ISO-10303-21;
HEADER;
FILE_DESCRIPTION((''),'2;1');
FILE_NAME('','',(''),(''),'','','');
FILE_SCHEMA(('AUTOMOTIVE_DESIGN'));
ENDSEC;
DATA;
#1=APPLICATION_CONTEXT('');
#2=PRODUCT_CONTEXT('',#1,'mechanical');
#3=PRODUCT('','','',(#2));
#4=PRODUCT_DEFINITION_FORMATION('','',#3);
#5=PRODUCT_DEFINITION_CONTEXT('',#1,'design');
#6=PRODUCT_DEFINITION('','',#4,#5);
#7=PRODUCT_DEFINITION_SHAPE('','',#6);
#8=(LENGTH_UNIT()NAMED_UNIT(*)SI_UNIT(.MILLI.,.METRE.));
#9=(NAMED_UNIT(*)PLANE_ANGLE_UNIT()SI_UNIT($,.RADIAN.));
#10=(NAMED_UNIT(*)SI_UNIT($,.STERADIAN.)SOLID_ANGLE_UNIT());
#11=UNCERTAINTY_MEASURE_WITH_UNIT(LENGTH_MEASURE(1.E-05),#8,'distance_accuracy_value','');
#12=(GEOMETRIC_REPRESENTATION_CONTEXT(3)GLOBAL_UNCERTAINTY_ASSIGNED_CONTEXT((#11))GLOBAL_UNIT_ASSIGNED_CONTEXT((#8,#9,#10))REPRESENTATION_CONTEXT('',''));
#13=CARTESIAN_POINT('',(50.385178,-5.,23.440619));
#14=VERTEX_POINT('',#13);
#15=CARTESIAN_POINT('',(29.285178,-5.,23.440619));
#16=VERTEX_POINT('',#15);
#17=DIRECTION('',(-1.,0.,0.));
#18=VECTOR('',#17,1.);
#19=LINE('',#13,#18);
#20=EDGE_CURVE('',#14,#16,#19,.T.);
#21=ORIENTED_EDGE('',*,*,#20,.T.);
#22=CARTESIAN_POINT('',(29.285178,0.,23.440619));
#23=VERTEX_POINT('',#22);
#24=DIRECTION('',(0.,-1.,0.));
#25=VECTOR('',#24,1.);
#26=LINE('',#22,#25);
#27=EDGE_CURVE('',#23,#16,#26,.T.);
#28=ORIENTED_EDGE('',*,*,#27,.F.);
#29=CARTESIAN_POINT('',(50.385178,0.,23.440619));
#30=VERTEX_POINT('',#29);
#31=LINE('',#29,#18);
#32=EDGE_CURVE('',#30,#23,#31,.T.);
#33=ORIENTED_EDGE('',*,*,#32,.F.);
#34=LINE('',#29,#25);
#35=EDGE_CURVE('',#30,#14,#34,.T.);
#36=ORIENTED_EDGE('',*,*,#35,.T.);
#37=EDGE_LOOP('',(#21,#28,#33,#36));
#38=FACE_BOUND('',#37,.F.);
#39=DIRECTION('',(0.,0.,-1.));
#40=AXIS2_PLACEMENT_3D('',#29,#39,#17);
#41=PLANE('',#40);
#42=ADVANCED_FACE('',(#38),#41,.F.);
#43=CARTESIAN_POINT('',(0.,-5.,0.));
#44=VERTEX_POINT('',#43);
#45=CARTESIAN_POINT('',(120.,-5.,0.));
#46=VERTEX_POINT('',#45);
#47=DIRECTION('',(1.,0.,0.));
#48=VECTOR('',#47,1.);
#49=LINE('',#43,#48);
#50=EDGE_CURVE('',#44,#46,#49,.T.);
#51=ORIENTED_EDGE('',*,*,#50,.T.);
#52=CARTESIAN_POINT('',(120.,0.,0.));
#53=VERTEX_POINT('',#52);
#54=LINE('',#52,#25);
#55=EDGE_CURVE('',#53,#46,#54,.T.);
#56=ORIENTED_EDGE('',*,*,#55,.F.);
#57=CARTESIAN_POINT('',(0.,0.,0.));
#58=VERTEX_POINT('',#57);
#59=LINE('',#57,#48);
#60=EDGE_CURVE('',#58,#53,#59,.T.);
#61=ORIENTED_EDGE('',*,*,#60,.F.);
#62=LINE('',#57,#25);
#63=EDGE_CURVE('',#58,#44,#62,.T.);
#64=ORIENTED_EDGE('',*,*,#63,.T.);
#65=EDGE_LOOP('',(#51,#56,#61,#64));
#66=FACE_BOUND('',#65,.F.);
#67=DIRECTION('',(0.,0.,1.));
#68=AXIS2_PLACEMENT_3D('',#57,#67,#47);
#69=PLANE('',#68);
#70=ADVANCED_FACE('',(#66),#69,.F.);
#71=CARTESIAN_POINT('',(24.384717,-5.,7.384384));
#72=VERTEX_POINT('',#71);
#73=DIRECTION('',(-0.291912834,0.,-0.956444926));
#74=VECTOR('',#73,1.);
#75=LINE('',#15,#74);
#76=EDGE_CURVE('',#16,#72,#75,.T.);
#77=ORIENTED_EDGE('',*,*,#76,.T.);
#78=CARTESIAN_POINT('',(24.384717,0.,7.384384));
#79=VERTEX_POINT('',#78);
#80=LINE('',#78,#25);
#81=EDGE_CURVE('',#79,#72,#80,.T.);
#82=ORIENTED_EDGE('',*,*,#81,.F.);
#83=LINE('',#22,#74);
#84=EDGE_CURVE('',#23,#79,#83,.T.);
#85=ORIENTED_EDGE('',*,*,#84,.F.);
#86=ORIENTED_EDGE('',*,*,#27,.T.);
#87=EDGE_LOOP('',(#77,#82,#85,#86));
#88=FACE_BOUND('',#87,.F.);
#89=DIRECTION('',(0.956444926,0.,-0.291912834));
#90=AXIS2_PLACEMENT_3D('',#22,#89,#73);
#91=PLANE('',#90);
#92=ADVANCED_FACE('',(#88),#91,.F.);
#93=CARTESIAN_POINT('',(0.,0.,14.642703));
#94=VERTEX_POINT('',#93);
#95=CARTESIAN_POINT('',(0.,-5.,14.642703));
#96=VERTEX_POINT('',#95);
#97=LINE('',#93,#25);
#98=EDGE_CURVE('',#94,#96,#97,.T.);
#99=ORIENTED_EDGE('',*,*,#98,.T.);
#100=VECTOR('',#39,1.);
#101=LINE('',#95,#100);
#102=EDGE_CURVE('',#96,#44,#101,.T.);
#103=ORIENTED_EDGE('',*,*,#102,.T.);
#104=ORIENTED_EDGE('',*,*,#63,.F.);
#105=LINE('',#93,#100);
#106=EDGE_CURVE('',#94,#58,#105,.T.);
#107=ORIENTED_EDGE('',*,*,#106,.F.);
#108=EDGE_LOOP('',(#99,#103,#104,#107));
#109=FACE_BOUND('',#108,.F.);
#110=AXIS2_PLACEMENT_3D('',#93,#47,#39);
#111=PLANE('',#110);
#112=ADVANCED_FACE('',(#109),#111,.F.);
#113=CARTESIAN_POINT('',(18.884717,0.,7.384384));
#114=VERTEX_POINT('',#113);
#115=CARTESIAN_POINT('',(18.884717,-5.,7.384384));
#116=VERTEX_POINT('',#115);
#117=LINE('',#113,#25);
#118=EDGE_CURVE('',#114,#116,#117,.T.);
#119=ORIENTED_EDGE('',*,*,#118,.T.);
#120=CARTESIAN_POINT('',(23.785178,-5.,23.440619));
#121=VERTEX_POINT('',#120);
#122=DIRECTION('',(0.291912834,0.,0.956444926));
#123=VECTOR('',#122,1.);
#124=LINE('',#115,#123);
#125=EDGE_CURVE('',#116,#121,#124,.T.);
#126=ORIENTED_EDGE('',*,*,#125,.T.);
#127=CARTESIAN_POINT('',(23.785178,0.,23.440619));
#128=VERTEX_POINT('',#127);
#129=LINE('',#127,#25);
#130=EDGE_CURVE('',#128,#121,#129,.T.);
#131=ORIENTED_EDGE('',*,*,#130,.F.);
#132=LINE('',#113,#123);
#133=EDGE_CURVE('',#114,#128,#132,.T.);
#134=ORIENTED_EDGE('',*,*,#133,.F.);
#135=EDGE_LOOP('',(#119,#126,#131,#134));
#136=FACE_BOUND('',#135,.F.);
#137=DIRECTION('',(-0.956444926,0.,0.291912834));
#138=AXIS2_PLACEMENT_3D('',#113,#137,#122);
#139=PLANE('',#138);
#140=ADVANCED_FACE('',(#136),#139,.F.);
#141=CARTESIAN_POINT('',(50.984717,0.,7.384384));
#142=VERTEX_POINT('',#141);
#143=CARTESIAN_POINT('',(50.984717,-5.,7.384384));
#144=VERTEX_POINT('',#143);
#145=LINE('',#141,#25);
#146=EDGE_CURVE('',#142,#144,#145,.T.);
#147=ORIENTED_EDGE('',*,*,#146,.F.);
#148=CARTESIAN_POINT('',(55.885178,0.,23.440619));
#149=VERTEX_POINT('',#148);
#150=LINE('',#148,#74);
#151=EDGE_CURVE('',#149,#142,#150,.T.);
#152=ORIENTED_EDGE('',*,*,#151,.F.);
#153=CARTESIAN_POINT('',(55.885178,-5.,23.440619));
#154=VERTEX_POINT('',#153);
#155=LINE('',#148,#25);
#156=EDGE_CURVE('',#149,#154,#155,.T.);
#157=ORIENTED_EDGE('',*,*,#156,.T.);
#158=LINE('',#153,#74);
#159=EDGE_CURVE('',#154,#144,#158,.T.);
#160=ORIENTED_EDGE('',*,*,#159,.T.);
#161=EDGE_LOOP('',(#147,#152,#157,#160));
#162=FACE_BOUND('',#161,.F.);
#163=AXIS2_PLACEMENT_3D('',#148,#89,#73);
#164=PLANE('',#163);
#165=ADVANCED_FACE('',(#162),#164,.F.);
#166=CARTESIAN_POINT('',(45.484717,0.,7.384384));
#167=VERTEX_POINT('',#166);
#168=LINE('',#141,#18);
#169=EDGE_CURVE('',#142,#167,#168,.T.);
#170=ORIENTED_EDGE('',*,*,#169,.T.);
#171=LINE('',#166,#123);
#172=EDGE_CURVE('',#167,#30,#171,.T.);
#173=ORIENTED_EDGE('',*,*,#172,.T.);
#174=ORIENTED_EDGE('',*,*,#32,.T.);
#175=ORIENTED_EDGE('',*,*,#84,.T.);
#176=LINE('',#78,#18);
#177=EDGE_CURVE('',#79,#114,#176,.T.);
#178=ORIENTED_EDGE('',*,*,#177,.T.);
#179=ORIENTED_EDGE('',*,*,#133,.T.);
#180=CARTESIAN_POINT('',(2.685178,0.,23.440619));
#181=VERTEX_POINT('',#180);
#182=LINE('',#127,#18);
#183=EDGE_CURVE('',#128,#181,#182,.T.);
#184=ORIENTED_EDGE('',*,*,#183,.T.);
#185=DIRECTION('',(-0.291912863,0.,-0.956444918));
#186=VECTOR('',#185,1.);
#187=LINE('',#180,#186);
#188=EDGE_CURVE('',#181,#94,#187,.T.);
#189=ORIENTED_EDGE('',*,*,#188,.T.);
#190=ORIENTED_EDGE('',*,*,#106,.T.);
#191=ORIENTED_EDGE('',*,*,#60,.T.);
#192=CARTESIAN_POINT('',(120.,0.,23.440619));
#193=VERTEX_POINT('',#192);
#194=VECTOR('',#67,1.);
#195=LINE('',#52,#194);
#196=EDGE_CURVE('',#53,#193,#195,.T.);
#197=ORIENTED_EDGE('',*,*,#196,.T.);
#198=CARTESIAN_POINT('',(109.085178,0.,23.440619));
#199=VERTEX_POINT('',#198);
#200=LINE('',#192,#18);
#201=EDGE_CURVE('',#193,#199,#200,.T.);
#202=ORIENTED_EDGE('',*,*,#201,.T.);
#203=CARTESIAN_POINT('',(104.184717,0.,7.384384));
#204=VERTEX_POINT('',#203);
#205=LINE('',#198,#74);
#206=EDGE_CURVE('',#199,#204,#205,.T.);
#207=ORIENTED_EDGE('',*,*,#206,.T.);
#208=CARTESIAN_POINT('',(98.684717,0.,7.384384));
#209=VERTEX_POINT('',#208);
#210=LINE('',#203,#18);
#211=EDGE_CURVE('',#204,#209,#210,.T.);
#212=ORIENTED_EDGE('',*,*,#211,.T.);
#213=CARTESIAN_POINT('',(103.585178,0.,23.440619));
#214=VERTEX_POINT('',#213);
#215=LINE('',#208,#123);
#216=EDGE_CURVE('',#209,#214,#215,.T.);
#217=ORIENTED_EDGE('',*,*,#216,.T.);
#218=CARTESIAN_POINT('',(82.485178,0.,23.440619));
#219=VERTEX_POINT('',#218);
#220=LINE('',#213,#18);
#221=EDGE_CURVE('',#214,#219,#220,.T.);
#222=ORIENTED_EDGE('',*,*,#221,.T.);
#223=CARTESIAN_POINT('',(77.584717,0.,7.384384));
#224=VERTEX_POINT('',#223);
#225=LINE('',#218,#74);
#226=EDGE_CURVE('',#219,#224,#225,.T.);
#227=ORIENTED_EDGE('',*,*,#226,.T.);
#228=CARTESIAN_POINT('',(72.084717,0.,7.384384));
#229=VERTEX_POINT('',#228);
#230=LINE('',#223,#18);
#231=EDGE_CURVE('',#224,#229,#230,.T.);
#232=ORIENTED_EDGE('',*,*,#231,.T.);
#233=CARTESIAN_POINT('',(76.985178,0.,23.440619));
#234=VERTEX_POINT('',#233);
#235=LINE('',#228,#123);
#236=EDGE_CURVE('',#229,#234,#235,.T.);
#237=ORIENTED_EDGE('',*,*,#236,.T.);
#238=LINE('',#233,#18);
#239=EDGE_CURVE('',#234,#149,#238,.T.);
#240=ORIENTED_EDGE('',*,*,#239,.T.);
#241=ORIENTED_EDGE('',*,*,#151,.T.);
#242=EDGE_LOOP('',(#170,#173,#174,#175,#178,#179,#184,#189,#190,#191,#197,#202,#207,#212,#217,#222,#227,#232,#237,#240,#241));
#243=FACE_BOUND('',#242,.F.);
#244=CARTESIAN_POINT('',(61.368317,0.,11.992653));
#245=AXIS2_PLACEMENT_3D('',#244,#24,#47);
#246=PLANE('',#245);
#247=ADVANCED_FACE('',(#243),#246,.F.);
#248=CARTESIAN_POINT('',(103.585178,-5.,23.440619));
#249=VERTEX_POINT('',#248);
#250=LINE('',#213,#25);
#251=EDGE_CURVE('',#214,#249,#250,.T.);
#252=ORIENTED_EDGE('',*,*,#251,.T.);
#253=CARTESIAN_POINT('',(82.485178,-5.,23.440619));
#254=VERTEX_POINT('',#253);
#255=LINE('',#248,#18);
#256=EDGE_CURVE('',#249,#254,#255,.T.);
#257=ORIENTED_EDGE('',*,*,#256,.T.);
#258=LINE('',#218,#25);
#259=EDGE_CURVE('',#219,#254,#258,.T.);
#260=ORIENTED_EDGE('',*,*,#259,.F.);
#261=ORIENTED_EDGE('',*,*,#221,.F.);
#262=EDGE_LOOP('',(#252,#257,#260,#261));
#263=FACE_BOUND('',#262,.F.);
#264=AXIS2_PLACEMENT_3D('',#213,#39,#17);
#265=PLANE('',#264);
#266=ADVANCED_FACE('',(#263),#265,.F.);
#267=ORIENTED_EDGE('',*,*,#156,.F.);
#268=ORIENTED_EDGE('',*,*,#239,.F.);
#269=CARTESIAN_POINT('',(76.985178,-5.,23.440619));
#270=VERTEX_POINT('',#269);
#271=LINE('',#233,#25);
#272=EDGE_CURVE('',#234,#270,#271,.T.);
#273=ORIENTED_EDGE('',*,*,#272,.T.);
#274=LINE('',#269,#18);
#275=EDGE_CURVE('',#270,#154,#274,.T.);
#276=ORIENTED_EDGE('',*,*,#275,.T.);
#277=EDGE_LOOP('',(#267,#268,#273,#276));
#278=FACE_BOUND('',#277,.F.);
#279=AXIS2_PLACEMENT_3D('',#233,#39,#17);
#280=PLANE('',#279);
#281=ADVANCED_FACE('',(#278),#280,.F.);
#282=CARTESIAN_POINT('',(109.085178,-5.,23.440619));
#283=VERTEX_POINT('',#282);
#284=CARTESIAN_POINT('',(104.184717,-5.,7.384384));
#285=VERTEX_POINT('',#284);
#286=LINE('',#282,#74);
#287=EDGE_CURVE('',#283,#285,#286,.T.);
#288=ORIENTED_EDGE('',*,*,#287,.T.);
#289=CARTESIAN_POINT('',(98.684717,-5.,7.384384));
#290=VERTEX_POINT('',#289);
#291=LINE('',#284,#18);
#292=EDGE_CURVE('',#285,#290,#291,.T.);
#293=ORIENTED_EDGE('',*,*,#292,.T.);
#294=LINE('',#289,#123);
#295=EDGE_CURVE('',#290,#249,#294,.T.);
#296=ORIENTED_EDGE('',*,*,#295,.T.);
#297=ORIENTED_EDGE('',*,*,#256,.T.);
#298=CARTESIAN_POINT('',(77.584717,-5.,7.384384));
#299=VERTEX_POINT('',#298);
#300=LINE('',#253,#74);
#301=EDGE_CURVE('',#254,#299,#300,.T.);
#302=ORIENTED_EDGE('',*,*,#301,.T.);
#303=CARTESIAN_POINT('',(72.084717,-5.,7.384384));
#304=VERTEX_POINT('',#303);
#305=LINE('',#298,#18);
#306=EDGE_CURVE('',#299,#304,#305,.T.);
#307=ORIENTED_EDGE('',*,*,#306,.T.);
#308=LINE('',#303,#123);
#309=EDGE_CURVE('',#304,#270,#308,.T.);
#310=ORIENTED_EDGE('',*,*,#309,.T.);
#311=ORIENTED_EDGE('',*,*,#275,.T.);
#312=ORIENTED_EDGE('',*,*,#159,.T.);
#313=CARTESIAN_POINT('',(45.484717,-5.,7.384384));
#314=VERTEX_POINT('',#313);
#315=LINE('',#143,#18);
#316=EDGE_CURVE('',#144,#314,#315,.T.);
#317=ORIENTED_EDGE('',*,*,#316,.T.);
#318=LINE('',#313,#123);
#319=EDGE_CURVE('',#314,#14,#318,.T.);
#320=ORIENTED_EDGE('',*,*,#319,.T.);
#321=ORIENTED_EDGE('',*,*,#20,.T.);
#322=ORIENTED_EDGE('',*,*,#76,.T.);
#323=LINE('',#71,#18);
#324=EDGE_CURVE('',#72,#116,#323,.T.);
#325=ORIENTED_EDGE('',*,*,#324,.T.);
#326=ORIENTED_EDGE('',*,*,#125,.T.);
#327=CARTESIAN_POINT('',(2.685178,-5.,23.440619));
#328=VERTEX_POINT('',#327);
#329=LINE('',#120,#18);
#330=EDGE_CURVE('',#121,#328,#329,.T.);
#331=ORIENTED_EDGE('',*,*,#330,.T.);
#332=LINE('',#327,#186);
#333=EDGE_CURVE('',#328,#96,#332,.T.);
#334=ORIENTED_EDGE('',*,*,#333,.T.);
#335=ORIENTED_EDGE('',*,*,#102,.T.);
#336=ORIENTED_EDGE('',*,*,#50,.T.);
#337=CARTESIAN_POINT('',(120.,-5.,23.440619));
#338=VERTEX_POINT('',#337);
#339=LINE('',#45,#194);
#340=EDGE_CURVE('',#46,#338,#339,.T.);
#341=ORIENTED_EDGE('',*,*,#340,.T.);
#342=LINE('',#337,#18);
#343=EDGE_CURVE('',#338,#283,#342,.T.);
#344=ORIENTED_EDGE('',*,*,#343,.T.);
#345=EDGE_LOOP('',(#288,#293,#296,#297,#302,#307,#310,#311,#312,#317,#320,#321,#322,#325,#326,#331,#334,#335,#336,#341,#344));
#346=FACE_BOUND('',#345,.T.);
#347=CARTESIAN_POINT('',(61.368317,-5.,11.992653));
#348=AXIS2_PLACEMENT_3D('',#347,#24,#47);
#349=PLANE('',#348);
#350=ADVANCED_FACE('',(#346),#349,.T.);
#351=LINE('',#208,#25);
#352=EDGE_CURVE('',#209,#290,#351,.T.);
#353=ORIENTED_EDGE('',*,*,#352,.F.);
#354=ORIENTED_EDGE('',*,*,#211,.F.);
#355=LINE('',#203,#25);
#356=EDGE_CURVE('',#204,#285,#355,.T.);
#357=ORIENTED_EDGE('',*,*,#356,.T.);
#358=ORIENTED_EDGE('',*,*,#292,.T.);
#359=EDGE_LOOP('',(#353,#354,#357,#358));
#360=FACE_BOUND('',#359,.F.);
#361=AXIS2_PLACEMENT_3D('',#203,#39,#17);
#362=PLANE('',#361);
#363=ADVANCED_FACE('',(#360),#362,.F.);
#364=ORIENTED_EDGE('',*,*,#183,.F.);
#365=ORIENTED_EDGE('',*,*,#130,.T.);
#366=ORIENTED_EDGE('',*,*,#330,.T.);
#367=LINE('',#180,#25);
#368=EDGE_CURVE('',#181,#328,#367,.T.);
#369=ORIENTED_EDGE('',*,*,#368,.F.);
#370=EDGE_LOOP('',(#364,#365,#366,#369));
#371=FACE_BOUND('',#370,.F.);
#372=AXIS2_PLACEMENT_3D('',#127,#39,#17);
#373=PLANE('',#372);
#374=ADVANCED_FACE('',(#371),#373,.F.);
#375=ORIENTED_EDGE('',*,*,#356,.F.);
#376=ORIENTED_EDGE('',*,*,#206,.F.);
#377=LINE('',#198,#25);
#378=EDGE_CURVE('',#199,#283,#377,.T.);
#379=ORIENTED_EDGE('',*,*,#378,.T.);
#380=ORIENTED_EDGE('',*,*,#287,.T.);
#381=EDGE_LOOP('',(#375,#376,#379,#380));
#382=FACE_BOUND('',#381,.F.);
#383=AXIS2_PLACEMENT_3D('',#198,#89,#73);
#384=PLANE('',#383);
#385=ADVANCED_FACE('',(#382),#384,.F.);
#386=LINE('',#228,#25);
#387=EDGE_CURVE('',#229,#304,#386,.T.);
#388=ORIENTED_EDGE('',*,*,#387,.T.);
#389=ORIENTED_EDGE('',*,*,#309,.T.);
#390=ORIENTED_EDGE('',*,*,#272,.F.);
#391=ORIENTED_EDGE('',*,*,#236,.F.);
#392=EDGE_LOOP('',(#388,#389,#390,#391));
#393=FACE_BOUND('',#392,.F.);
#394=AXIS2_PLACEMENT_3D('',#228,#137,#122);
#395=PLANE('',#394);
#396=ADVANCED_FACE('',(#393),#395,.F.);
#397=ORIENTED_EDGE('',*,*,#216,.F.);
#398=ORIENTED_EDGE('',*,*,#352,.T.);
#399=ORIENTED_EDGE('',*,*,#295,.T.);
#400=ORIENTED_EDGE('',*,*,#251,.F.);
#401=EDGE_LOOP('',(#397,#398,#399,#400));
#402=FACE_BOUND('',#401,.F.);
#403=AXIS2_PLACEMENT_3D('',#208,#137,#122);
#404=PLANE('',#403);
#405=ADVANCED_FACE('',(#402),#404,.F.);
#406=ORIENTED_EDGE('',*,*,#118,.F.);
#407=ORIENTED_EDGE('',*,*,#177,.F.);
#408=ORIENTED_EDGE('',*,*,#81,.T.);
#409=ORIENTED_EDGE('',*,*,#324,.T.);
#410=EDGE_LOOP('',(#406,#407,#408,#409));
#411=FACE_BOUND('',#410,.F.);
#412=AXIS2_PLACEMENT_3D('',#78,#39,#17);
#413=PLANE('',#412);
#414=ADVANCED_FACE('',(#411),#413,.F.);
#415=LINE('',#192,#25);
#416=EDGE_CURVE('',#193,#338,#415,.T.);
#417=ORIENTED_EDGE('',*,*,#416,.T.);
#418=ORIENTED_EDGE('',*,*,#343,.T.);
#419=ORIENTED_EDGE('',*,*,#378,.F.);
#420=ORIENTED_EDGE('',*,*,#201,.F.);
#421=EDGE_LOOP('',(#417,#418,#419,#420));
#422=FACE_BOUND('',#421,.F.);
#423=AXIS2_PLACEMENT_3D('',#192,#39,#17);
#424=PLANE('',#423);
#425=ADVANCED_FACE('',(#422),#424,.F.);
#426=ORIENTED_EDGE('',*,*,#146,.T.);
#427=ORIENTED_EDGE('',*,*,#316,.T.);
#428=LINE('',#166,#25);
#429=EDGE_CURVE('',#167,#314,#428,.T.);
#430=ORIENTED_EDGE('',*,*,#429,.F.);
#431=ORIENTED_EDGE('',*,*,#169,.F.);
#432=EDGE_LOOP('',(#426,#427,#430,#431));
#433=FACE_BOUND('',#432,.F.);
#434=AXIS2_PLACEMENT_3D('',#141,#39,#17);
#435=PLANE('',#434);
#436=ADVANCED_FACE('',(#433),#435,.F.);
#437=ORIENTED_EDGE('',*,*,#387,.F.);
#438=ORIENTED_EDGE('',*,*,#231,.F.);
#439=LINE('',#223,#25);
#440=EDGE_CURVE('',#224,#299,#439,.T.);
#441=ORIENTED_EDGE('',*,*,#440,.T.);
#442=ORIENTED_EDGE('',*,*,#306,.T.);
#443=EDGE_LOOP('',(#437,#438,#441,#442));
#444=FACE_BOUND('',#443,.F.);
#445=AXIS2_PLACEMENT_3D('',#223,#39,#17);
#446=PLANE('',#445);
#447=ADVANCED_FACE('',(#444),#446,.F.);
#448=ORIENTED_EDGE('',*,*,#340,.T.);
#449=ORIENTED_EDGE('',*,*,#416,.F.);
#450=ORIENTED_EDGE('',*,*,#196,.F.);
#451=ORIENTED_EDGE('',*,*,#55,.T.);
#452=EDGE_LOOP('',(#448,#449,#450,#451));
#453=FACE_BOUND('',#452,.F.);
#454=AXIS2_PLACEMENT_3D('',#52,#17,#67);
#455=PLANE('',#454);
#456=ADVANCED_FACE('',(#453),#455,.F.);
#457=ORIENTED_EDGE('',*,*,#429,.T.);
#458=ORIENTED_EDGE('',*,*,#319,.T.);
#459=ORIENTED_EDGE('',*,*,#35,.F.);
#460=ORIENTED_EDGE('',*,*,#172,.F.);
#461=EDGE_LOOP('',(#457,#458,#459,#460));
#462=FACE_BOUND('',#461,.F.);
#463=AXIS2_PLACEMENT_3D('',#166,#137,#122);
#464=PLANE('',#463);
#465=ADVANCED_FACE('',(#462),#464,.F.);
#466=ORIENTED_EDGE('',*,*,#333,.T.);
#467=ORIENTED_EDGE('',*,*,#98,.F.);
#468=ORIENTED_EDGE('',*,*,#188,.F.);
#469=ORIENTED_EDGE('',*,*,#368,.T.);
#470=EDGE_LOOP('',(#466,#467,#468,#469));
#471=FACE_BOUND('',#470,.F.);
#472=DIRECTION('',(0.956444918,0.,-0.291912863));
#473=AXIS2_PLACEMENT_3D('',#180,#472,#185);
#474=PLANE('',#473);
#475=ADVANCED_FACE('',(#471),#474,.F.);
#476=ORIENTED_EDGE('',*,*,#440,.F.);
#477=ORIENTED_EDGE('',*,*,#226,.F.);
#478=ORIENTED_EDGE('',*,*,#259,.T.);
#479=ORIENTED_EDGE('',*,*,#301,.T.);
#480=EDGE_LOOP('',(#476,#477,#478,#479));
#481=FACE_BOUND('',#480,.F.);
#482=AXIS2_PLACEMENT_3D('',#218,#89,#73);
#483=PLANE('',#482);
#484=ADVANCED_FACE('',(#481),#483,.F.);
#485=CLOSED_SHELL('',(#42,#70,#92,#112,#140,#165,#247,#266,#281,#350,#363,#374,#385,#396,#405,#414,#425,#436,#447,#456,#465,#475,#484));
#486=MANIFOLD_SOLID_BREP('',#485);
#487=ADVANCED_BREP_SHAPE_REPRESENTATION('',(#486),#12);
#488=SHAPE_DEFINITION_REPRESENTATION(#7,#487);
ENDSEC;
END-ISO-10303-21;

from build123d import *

# Parameters (mm, degrees)
F1_DEPTH = 5


with BuildPart() as f1:
    # F0 (on Front) → F1 (new body)
    with BuildSketch(Plane.XZ):
        Polygon((0, 14.642703), (0, 0), (120, 0), (120, 23.440619), (109.085178, 23.440619), (104.184717, 7.384384), (98.684717, 7.384384), (103.585178, 23.440619), (82.485178, 23.440619), (77.584717, 7.384384), (72.084717, 7.384384), (76.985178, 23.440619), (55.885178, 23.440619), (50.984717, 7.384384), (45.484717, 7.384384), (50.385178, 23.440619), (29.285178, 23.440619), (24.384717, 7.384384), (18.884717, 7.384384), (23.785178, 23.440619), (2.685178, 23.440619), align=None)
    extrude(amount=F1_DEPTH)


solid = f1.part
